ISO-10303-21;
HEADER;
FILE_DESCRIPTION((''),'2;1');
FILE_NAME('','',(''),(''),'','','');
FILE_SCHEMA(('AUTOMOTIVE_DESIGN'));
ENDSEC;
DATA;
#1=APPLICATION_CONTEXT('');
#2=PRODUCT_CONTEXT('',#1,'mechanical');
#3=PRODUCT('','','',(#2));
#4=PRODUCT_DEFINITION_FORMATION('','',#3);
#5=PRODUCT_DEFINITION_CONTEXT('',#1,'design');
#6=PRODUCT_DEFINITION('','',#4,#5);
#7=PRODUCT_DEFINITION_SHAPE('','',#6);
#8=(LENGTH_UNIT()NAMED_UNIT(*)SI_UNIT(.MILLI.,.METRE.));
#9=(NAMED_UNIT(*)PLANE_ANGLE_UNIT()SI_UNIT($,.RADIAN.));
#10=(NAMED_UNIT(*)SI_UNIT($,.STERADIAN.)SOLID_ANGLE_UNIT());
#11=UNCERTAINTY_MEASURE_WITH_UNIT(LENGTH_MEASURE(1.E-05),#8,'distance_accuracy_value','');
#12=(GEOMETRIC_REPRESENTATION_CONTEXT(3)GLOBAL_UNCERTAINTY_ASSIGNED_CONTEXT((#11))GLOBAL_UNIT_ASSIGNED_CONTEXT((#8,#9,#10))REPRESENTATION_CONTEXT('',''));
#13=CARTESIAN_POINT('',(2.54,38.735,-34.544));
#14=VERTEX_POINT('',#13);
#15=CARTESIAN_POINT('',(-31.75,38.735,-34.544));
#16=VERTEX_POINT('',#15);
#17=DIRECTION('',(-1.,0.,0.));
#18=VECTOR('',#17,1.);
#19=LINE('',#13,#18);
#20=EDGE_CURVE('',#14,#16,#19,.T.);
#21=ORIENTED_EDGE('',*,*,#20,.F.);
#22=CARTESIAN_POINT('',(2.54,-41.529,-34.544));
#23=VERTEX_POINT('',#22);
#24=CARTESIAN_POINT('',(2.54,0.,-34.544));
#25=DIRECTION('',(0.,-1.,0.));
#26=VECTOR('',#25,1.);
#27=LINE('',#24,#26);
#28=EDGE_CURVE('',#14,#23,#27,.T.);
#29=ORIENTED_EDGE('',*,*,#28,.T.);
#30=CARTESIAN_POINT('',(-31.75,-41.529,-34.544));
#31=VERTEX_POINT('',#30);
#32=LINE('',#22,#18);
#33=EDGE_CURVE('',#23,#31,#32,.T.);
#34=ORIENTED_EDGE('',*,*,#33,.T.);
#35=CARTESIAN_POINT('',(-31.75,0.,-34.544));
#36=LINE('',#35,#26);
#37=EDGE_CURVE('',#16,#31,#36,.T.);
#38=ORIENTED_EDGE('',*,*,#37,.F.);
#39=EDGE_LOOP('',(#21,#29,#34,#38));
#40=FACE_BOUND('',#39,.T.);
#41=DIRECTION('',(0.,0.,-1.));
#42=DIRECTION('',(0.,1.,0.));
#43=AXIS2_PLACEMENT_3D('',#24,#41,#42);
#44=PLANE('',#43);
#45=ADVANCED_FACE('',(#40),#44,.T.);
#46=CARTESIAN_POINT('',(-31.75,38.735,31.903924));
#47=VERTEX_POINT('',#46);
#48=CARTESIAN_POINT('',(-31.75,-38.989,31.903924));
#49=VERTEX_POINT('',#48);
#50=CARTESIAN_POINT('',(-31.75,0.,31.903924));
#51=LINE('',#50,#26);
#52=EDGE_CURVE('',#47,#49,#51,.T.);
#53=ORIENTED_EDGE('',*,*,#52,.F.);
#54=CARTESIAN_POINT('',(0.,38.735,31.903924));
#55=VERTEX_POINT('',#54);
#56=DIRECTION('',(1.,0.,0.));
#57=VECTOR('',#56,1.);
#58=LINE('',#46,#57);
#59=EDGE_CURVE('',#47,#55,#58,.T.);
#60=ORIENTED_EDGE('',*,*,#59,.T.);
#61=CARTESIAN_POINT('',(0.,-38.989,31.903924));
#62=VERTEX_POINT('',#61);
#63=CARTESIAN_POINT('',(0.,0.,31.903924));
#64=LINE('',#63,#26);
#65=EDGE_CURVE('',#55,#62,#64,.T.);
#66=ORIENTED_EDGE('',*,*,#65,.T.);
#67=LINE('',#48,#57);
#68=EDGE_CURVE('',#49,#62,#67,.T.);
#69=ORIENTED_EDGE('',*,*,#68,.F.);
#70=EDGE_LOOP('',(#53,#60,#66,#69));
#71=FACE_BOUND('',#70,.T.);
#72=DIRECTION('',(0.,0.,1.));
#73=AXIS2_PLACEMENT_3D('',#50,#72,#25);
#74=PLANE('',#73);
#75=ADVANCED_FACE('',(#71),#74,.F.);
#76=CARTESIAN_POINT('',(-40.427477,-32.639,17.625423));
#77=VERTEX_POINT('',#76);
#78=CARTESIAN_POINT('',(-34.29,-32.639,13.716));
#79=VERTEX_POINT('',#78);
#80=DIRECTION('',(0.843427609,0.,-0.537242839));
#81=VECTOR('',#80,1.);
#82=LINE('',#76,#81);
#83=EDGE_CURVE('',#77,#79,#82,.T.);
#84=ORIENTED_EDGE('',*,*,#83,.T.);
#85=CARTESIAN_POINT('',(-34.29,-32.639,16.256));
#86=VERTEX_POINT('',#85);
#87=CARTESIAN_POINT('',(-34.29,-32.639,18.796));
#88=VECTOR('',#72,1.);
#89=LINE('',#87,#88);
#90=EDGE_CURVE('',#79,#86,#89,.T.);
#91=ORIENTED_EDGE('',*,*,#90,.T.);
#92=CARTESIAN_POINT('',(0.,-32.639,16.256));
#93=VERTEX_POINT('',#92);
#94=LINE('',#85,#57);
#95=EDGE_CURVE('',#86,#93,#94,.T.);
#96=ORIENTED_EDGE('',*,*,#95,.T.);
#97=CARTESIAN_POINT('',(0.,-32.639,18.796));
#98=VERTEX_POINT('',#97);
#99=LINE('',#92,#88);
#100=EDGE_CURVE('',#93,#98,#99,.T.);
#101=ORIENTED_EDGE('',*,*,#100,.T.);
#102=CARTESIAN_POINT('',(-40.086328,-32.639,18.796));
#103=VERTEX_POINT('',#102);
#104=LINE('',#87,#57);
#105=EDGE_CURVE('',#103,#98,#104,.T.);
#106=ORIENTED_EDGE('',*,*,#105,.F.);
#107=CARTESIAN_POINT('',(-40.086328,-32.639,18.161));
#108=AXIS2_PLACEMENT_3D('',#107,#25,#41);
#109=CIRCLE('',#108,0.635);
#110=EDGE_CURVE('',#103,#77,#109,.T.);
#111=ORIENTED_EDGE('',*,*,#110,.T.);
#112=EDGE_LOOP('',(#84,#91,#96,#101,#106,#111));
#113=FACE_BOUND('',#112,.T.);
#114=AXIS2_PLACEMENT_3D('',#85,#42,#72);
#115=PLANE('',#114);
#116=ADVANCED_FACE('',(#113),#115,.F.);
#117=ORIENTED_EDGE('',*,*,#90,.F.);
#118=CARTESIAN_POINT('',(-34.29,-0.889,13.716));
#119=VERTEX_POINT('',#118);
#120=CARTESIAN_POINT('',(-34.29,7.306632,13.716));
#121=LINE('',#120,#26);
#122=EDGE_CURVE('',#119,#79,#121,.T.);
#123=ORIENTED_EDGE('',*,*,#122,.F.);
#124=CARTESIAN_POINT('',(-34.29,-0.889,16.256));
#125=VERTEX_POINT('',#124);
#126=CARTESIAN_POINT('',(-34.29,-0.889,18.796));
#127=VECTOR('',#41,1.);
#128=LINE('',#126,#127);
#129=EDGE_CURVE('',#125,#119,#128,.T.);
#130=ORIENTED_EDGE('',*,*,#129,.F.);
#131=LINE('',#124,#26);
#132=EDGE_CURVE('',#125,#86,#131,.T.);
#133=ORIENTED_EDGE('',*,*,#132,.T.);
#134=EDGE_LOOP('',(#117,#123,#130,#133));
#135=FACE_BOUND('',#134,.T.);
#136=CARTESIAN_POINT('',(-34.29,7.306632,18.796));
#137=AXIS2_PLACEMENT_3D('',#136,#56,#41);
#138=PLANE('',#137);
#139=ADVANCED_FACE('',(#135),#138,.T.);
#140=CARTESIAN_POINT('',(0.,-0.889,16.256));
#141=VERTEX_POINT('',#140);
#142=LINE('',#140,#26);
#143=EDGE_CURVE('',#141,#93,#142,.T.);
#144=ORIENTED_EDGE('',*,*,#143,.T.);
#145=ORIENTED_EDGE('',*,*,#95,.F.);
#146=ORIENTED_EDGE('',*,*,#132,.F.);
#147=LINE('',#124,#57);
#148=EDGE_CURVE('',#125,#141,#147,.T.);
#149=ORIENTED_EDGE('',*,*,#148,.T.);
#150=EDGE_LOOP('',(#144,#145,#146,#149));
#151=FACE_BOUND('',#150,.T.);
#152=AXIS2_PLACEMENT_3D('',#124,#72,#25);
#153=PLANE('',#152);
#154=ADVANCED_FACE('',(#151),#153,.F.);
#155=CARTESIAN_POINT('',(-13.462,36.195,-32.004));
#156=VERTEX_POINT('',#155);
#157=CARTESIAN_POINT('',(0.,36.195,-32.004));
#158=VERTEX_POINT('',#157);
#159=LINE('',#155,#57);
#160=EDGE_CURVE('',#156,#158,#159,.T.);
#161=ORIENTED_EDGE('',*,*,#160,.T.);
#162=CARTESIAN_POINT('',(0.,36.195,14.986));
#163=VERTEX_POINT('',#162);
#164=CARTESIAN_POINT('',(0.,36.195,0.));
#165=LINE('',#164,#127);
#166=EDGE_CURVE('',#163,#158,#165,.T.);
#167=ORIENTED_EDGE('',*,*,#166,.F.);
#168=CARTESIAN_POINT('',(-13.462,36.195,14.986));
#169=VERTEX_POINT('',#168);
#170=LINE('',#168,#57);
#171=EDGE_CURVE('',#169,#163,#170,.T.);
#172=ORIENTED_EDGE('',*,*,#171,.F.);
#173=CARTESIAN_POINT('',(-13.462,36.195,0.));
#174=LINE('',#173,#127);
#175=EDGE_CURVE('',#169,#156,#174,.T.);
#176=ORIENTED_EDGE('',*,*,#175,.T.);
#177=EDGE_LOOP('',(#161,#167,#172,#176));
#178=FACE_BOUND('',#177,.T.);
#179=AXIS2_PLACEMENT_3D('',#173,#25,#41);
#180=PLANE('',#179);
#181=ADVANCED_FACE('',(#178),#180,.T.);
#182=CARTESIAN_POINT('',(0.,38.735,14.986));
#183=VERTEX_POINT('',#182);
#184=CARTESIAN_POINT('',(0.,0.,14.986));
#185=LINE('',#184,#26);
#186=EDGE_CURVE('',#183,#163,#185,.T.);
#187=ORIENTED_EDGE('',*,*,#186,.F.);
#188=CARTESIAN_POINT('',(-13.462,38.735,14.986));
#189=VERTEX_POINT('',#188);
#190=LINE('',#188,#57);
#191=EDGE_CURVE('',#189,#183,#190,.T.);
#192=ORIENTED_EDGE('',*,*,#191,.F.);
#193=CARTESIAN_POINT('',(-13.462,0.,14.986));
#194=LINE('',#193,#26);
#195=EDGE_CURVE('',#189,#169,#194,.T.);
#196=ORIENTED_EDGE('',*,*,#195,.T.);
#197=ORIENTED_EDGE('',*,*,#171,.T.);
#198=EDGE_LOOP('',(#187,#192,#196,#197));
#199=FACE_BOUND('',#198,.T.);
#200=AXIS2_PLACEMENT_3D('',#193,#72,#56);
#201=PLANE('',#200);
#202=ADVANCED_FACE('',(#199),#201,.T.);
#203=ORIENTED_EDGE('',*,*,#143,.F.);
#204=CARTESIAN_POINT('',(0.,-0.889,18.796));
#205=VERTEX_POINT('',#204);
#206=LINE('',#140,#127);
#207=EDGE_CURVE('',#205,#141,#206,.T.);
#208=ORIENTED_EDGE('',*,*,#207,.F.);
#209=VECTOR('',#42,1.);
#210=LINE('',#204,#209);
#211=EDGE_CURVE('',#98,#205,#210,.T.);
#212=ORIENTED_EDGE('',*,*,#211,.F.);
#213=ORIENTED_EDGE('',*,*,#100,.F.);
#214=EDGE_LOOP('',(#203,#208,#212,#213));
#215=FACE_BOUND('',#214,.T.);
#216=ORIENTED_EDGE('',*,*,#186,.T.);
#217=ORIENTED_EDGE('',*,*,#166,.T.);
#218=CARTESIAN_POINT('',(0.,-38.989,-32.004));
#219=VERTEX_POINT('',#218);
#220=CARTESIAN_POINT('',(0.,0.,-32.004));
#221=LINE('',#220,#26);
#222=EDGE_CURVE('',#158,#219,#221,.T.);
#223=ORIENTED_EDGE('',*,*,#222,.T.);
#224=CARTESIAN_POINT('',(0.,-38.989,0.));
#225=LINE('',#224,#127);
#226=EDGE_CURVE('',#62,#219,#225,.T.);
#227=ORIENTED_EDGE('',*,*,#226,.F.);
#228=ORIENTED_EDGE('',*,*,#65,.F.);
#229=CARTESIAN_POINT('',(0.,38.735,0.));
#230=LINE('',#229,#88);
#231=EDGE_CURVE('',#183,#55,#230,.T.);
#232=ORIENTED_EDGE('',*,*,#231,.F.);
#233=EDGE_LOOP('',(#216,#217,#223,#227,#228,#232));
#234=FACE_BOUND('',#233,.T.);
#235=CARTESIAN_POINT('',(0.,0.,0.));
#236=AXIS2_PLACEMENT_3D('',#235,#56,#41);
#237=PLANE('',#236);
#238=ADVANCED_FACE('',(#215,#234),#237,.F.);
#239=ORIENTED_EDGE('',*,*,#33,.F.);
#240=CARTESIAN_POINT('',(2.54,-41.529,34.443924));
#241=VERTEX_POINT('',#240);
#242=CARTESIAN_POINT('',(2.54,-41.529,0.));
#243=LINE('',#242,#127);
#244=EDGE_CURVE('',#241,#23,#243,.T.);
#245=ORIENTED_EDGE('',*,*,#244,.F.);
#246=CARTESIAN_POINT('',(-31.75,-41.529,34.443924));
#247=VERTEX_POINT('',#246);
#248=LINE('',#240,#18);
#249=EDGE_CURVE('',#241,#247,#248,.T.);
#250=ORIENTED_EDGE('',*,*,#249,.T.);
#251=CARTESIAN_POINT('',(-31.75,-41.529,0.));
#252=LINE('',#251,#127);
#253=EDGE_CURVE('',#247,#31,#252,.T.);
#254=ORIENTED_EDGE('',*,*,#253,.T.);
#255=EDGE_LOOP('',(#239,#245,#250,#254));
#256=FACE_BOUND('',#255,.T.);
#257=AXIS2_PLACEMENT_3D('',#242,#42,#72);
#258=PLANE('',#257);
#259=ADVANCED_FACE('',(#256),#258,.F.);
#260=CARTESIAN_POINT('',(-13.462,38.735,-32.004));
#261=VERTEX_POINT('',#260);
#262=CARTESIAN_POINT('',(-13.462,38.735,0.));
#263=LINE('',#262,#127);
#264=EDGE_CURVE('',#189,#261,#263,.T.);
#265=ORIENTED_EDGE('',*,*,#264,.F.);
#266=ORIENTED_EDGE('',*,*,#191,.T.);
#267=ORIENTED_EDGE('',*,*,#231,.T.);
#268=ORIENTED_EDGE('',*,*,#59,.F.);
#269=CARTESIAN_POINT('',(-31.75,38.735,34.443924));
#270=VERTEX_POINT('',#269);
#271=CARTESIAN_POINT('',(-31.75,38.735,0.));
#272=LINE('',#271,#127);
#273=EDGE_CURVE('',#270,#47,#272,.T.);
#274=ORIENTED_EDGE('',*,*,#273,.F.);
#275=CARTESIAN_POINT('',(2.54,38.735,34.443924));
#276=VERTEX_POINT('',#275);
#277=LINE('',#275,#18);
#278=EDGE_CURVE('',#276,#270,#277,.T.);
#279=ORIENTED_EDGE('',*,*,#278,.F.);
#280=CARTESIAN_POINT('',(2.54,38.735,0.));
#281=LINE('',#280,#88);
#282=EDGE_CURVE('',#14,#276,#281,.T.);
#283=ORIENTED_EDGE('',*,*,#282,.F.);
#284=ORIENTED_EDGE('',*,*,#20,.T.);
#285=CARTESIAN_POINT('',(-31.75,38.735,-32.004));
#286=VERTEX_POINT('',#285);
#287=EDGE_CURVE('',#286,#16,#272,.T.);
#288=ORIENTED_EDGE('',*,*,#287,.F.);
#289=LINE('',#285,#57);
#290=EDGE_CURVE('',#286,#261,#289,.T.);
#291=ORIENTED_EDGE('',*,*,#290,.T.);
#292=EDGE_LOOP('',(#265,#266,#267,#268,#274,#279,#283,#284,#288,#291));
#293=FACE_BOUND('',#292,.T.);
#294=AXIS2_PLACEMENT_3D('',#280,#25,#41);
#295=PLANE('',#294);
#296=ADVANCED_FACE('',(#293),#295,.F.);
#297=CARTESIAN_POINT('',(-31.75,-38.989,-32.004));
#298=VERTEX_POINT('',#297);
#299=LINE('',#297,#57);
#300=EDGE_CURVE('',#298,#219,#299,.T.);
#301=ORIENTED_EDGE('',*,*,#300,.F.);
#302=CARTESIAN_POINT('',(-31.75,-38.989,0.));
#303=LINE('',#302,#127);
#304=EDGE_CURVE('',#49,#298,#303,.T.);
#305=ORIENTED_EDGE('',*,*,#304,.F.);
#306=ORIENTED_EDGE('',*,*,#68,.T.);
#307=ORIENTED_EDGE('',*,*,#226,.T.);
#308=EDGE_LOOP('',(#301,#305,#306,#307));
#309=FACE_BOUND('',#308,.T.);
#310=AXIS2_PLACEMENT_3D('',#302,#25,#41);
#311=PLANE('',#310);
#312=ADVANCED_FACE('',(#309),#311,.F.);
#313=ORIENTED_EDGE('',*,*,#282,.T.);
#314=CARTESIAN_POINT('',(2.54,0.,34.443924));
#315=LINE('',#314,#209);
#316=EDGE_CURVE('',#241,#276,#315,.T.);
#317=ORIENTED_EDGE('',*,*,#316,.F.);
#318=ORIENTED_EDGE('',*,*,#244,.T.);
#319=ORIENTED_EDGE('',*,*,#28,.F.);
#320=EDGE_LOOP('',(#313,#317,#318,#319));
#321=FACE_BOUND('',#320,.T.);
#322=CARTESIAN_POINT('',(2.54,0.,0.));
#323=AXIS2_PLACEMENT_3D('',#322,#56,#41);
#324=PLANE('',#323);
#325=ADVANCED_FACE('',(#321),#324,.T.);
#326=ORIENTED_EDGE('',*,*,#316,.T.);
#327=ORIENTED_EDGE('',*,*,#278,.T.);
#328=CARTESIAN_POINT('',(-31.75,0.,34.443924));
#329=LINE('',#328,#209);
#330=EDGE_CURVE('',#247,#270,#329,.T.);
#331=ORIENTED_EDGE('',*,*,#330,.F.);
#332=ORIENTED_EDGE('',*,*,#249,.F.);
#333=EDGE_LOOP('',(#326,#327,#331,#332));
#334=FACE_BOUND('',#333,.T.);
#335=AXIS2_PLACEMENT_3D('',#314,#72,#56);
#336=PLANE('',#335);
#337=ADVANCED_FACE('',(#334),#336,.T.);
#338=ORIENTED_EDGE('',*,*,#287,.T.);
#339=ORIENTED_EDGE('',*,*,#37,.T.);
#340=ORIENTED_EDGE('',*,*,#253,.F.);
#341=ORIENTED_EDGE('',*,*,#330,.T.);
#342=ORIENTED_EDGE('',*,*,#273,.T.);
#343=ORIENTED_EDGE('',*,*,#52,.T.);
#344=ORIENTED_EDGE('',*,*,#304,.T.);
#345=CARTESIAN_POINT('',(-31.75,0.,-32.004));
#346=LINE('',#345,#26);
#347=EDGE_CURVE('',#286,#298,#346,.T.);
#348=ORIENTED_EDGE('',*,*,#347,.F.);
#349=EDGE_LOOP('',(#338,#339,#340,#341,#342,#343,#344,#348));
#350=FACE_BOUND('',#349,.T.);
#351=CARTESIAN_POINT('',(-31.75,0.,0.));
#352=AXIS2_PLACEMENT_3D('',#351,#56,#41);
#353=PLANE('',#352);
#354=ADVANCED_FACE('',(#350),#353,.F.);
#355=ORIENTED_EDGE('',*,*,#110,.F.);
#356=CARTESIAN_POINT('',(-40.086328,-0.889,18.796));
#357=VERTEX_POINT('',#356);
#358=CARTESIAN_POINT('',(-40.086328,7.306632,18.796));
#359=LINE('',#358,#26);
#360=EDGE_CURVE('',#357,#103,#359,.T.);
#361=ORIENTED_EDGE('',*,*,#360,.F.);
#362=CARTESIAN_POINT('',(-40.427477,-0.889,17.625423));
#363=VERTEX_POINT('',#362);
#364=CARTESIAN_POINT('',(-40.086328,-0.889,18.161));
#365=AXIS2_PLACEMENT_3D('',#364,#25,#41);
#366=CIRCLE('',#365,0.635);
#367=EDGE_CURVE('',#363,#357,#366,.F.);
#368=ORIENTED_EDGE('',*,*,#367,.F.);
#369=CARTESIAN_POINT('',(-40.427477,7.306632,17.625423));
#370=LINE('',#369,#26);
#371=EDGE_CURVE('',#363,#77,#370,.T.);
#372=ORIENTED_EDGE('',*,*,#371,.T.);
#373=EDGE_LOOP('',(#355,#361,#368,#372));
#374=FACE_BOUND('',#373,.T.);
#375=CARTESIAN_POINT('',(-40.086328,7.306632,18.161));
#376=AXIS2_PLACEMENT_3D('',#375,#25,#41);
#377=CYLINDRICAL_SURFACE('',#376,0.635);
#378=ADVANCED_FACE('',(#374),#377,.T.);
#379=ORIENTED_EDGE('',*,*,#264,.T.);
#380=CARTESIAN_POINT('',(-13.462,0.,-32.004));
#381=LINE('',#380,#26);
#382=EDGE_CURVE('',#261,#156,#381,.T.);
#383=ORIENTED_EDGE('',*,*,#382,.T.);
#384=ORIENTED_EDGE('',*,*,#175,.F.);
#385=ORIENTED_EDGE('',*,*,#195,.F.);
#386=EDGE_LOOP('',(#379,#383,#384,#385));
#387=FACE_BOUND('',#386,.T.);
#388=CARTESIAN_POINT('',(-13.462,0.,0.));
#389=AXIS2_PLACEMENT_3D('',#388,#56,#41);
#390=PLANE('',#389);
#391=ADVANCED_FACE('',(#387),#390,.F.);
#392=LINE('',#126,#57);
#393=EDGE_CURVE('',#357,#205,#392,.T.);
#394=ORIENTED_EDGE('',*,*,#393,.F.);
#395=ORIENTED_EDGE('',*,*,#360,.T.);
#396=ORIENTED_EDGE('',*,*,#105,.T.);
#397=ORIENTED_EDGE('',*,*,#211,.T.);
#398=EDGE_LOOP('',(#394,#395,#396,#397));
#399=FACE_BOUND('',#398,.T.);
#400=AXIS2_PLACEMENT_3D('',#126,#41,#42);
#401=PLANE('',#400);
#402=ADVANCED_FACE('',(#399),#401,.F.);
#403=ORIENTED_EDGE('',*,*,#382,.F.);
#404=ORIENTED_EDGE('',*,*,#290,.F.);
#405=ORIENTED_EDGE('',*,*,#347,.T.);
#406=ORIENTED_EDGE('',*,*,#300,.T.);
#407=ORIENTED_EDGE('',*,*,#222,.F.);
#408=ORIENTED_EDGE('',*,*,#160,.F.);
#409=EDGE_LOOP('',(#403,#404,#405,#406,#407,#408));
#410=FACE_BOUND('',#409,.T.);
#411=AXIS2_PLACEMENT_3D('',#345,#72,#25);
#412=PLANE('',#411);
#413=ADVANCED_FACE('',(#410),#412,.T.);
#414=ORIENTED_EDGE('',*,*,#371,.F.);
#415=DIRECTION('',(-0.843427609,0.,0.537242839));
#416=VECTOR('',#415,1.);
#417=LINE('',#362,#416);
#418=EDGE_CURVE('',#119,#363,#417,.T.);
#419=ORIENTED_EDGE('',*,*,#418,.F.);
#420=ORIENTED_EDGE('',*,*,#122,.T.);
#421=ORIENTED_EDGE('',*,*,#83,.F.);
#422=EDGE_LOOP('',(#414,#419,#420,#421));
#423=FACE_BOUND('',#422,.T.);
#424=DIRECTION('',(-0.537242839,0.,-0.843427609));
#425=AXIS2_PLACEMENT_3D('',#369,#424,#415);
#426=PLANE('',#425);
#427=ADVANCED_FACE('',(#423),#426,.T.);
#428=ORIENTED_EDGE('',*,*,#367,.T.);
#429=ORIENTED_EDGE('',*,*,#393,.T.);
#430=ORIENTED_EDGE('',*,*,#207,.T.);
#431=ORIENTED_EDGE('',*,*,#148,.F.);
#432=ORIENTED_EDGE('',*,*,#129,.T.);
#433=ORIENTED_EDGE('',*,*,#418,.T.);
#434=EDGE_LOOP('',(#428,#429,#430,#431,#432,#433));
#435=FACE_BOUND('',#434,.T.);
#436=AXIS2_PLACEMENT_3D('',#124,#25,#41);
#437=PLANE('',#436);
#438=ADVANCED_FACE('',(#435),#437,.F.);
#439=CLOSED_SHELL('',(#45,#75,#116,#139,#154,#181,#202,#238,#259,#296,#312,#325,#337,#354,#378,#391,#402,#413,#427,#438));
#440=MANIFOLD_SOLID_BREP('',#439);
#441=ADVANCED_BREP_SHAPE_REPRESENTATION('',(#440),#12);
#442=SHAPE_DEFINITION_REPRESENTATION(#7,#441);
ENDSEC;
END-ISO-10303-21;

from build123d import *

# Parameters (mm, degrees)
SKETCH1_W           = 68.987924
SKETCH1_H           = 80.264
BOSS_EXTRUDE3_DEPTH = 2.54
BOSS_EXTRUDE4_DEPTH = 31.75
SKETCH1_6_W         = 46.99
SKETCH1_6_H         = 2.54
BOSS_EXTRUDE5_DEPTH = 13.462
SKETCH2_W           = 2.54
SKETCH2_H           = 31.75
BOSS_EXTRUDE6_DEPTH = 34.29
BOSS_EXTRUDE7_DEPTH = 31.75


with BuildPart() as part:
    # Sketch1 → Boss-Extrude3 (new body)
    with BuildSketch(Plane(origin=(0, 0, 0), x_dir=(0, 0, -1), z_dir=(1, 0, 0))):
        with Locations((0.050038, -1.397)):
            Rectangle(SKETCH1_W, SKETCH1_H)
    extrude(amount=BOSS_EXTRUDE3_DEPTH)

    # Sketch1<5> → Boss-Extrude4 (add)
    with BuildSketch(Plane(origin=(0, 0, 0), x_dir=(0, 0, -1), z_dir=(1, 0, 0))):
        Polygon((34.544, 38.735), (32.004, 38.735), (32.004, 36.195), (32.004, -38.989), (-31.903924, -38.989), (-31.903924, 38.735), (-34.443924, 38.735), (-34.443924, 32.385), (-34.443924, -41.529), (34.544, -41.529), align=None)
    extrude(amount=-BOSS_EXTRUDE4_DEPTH)

    # Sketch1<6> → Boss-Extrude5 (add)
    with BuildSketch(Plane(origin=(0, 0, 0), x_dir=(0, 0, -1), z_dir=(1, 0, 0))):
        with Locations((8.509, 37.465)):
            Rectangle(SKETCH1_6_W, SKETCH1_6_H)
    extrude(amount=-BOSS_EXTRUDE5_DEPTH)

    # Sketch2 → Boss-Extrude6 (add)
    with BuildSketch(Plane.ZY):
        with Locations((17.526, -16.764)):
            Rectangle(SKETCH2_W, SKETCH2_H)
    extrude(amount=BOSS_EXTRUDE6_DEPTH)

    # Sketch3 → Boss-Extrude7 (add)
    with BuildSketch(Plane.XZ.offset(32.639)):
        with BuildLine():
            Line((-34.29, 18.796), (-40.086328026, 18.796))
            ThreePointArc((-40.086328026, 18.796), (-40.695965663, 18.338670907), (-40.427477229, 17.625423468))
            Line((-40.427477229, 17.625423468), (-34.29, 13.716))
            Line((-34.29, 13.716), (-34.29, 18.796))
        make_face()
    extrude(amount=-BOSS_EXTRUDE7_DEPTH)


solid = part.part
